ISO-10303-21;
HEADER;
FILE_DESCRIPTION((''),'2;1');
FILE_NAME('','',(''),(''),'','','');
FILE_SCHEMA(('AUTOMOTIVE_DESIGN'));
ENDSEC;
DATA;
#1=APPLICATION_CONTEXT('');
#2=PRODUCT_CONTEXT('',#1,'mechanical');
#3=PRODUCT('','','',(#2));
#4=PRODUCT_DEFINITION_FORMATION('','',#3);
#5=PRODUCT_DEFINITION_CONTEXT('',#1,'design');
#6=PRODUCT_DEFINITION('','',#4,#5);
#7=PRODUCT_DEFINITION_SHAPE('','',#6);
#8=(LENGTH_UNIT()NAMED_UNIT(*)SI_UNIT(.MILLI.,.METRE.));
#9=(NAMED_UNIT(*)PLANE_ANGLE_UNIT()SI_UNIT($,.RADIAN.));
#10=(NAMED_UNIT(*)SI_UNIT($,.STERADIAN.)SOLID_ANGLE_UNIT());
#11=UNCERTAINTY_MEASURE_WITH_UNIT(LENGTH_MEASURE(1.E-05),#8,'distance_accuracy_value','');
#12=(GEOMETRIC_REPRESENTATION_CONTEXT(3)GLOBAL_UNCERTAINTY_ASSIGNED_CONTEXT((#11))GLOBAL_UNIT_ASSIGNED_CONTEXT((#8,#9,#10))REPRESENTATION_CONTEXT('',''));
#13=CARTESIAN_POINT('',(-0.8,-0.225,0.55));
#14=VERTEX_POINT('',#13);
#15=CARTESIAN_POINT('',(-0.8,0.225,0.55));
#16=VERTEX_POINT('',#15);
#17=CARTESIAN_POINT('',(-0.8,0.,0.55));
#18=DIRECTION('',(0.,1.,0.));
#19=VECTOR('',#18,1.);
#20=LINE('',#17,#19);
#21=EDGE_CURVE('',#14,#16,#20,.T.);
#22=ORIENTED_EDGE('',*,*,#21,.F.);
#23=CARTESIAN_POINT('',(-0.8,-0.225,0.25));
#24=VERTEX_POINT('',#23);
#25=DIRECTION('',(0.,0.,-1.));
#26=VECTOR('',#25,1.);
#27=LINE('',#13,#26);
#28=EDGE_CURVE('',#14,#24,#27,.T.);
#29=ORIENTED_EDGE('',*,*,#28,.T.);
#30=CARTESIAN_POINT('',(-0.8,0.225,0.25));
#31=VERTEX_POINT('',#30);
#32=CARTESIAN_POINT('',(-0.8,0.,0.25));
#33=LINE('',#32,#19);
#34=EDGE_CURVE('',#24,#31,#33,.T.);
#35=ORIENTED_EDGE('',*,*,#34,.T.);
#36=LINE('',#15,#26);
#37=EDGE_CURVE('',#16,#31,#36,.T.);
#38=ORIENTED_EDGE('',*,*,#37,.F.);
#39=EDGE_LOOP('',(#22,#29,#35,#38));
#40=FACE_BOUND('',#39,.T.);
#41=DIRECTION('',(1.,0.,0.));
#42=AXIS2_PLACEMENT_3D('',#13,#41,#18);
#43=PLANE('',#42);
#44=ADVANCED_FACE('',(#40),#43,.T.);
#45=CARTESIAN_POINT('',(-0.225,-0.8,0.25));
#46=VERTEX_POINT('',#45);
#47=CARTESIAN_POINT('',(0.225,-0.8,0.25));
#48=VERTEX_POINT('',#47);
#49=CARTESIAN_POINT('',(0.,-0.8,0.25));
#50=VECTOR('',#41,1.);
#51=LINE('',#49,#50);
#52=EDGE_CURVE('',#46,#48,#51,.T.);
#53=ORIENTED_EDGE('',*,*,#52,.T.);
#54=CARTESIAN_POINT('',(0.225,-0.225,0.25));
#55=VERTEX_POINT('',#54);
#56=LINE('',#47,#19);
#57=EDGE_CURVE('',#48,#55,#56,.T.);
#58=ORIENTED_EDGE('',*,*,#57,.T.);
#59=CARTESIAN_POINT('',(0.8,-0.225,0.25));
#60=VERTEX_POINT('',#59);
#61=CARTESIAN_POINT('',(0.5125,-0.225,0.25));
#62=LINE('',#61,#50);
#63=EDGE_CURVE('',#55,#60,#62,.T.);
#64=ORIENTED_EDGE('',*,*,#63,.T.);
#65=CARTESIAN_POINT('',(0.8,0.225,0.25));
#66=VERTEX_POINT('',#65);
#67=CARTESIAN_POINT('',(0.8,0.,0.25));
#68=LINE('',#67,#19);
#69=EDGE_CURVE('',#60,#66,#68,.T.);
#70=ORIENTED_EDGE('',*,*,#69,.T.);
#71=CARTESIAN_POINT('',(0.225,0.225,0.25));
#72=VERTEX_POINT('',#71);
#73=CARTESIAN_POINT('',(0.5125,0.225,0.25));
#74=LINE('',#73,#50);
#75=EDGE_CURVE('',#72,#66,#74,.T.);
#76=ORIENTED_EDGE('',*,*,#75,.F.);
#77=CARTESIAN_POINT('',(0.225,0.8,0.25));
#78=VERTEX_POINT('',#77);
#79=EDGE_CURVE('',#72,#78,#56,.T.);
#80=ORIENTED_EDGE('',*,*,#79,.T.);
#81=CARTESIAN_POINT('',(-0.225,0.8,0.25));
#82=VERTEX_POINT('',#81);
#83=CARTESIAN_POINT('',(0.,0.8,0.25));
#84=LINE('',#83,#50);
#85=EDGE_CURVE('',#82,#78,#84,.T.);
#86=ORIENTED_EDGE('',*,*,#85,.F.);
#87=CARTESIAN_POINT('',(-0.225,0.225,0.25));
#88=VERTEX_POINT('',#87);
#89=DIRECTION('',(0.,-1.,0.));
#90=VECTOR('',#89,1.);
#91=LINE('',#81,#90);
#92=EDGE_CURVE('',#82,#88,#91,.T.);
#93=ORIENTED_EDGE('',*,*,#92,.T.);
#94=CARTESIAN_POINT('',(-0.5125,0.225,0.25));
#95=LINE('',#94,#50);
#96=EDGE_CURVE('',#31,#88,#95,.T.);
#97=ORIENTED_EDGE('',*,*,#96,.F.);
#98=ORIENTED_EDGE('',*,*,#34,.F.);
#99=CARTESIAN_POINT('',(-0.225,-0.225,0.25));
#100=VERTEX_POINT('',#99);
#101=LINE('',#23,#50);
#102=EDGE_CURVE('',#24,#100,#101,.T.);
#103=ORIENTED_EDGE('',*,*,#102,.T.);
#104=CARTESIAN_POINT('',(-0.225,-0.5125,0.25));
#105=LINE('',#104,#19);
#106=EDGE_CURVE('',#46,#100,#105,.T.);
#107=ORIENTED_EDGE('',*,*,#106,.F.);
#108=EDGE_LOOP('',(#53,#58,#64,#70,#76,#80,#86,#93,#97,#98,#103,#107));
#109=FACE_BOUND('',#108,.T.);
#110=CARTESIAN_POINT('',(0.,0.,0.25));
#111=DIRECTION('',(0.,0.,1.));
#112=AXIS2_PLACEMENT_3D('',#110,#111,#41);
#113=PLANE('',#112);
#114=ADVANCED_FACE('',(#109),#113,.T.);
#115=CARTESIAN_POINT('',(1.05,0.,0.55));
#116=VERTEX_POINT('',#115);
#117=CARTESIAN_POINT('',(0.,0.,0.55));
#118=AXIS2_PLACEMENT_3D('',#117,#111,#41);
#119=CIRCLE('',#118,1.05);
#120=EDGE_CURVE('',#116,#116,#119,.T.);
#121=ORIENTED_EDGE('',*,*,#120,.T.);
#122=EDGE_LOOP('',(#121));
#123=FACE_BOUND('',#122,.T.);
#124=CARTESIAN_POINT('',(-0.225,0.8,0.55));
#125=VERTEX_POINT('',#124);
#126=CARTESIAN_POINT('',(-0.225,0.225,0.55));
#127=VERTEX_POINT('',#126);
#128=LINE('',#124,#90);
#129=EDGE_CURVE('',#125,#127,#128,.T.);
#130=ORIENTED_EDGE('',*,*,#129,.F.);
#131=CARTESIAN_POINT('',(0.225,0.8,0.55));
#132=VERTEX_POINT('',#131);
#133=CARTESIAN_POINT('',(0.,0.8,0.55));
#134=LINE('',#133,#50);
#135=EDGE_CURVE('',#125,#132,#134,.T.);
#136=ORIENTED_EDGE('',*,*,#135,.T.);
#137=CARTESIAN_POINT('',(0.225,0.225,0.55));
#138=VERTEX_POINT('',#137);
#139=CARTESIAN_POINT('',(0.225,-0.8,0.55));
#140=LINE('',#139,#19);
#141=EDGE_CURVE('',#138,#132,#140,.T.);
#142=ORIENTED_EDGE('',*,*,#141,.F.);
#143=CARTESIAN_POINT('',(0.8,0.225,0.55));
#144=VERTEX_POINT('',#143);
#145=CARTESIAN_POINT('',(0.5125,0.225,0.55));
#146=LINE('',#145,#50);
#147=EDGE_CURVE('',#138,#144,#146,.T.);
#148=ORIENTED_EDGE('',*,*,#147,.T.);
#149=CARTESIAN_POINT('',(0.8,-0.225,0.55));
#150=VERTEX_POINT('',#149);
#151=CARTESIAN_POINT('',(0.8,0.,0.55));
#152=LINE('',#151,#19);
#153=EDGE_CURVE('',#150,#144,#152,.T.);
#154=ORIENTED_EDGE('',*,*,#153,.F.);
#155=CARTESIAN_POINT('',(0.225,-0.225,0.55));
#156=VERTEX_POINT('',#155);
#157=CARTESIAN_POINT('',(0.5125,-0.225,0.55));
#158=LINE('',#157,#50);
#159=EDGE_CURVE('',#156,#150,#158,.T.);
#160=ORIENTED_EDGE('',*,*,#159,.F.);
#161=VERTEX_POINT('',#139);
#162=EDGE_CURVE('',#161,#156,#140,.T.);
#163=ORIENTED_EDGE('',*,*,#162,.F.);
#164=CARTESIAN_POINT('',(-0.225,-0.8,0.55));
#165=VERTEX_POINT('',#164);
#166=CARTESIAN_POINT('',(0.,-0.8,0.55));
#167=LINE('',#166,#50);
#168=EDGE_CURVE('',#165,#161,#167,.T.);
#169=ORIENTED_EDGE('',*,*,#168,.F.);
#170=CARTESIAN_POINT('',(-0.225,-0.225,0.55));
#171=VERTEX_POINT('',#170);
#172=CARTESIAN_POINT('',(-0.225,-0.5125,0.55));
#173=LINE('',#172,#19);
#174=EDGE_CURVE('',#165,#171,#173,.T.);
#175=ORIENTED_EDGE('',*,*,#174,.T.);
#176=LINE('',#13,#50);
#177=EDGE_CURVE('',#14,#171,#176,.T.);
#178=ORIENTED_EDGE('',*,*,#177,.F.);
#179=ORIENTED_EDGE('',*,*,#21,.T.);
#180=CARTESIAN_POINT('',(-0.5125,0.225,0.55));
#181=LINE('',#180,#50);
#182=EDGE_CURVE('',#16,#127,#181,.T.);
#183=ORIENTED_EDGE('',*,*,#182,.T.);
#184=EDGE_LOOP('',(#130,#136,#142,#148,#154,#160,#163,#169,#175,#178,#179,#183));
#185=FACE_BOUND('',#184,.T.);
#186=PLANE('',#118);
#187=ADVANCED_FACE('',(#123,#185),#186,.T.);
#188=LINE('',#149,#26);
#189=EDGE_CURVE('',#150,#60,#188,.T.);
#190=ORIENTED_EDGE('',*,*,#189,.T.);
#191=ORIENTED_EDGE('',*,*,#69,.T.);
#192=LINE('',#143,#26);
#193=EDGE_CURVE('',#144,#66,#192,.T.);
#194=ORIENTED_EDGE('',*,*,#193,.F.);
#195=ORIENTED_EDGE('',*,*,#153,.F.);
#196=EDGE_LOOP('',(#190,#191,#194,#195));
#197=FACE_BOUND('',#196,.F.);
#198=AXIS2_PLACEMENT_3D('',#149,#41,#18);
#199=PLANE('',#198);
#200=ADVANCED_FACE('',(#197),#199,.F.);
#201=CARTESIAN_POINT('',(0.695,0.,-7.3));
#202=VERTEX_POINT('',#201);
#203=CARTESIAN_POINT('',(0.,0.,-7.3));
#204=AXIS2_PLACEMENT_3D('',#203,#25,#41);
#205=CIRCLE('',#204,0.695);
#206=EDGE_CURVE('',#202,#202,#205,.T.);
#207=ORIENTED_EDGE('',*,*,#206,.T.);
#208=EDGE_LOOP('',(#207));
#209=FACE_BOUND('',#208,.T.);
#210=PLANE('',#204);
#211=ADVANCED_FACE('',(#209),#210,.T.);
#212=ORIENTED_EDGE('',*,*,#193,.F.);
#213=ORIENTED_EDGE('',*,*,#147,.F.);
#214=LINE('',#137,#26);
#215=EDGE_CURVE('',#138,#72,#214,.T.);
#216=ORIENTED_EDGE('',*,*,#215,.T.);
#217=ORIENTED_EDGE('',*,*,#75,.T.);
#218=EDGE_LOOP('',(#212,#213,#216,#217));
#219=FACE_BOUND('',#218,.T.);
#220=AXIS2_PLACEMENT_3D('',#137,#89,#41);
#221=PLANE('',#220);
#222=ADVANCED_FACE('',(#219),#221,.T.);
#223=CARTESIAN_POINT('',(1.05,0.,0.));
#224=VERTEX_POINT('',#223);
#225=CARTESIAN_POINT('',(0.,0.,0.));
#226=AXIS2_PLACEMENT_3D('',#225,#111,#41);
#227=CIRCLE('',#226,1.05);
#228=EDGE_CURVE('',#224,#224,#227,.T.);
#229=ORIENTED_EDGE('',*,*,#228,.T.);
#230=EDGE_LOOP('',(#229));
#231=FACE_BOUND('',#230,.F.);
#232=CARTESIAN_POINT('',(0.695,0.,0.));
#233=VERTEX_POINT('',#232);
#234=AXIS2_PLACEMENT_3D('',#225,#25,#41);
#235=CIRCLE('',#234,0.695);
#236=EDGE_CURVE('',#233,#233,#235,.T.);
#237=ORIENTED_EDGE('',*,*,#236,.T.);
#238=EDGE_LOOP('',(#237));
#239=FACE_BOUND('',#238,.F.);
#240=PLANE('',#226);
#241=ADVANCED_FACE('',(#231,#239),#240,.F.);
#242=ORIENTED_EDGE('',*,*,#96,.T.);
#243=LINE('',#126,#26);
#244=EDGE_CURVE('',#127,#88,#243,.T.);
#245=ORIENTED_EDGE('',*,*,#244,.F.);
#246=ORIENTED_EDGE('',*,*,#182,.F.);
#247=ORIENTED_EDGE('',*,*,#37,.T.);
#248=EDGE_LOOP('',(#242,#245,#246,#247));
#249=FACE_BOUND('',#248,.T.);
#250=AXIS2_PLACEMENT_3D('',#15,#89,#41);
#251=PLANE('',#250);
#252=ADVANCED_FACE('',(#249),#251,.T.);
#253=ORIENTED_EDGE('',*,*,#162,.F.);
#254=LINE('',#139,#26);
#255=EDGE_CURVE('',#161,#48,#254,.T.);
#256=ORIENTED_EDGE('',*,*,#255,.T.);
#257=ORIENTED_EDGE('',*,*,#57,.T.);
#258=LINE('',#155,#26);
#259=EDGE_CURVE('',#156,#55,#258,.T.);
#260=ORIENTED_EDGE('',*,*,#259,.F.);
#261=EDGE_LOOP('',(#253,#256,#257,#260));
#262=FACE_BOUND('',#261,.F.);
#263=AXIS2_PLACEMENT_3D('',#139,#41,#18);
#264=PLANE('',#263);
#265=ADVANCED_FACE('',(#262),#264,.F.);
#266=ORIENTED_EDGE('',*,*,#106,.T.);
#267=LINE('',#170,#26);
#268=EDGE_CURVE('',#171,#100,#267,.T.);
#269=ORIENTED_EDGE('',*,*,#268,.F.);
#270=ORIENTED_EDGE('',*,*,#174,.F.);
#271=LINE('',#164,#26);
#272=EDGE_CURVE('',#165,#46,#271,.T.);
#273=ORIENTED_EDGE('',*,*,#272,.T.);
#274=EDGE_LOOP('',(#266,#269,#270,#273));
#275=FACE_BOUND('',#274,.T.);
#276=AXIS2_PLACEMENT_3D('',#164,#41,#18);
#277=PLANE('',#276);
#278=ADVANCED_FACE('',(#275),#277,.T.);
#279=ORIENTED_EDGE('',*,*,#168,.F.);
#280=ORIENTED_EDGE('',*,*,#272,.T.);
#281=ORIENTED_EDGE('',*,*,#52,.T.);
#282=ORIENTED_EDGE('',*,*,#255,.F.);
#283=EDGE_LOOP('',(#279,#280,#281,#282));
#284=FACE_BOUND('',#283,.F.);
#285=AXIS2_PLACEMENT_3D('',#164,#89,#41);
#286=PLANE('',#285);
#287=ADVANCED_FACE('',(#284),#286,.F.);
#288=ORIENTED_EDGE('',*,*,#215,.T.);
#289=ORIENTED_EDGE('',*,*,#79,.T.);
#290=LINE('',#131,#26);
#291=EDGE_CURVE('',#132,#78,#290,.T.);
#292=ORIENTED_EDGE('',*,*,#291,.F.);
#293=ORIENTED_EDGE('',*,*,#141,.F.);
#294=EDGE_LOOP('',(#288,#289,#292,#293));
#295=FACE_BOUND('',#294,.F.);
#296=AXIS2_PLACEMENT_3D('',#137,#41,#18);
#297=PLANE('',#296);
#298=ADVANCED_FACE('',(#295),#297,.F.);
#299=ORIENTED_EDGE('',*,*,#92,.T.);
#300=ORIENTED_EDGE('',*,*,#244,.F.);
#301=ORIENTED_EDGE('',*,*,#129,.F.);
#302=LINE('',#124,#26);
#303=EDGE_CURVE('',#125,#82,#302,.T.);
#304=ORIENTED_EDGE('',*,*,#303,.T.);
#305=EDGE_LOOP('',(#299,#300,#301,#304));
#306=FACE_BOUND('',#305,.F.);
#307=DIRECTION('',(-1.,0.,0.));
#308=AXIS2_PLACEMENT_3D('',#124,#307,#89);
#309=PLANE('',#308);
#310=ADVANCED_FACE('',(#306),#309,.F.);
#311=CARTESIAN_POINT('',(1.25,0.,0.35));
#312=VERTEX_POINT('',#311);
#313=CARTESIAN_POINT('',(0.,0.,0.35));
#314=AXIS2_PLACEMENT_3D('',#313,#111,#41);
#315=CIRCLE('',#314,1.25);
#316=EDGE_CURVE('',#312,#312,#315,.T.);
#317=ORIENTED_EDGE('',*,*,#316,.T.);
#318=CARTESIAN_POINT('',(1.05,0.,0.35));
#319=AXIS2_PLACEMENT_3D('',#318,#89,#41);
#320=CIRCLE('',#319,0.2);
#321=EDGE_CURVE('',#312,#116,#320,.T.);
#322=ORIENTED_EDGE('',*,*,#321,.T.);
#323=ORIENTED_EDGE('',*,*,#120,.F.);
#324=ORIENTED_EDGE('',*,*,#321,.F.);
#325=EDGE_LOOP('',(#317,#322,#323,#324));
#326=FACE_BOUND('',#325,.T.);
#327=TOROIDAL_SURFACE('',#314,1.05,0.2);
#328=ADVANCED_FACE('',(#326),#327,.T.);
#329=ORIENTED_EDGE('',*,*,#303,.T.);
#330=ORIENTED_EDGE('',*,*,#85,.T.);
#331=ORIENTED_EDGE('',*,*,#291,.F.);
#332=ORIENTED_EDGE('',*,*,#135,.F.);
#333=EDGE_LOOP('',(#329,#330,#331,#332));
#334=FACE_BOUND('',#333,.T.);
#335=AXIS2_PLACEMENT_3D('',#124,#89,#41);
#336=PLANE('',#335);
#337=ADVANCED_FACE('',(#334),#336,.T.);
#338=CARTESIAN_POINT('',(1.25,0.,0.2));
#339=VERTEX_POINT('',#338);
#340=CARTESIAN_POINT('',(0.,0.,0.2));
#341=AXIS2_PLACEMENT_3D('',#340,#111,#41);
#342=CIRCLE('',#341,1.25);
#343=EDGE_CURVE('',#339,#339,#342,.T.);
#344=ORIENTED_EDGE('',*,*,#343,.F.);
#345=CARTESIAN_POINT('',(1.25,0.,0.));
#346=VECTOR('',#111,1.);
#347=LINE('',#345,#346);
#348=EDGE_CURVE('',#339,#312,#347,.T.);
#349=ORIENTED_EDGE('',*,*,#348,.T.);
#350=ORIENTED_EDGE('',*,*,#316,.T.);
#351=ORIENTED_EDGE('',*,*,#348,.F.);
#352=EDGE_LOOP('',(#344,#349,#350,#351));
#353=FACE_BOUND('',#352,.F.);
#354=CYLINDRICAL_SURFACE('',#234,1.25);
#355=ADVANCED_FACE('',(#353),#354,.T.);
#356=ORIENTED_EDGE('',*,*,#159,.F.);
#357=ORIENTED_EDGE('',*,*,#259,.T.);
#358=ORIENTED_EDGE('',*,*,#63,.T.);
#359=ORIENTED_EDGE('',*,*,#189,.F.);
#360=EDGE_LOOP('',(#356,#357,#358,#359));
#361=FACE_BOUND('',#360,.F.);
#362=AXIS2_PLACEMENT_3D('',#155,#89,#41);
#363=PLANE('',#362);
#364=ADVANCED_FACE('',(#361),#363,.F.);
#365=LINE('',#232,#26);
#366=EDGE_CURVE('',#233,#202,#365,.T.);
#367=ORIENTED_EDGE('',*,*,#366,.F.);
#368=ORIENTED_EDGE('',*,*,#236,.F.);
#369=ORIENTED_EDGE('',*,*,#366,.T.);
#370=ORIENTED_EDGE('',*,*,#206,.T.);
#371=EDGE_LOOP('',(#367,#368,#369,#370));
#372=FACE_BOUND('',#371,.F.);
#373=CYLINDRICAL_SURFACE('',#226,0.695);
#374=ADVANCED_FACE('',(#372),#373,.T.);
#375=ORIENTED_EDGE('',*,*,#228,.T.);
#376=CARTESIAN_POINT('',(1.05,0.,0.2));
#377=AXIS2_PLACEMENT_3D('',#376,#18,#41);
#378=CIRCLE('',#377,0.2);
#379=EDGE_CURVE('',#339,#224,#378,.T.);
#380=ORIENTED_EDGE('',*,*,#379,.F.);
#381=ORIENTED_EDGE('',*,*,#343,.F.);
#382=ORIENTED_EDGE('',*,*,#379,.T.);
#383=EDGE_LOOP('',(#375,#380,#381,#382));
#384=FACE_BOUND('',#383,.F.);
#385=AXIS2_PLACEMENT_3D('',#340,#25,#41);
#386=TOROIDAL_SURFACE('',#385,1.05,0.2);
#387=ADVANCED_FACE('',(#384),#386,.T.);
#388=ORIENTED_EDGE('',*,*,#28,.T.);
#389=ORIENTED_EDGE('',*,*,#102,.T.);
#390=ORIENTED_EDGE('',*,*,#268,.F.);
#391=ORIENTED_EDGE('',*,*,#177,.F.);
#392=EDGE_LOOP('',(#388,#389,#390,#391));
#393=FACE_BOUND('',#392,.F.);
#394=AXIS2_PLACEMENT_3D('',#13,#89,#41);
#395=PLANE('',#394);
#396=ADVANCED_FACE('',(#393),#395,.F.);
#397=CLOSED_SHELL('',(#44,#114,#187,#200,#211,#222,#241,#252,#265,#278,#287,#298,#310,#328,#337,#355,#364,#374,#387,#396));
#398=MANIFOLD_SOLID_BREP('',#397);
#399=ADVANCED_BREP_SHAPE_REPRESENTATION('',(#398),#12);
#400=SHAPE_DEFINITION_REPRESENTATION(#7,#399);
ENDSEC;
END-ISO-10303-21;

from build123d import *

# Parameters (mm, degrees)
F0_R     = 1.25
F1_DEPTH = 0.55
F2_R     = 0.695
F3_DEPTH = 7.3
F4_W     = 0.45
F4_H     = 0.45
F4_H_2   = 0.575
F4_W_2   = 0.575
F5_DEPTH = 0.3
F6_R     = 0.2


with BuildPart() as f1:
    # F0 (on Top) → F1 (new body)
    with BuildSketch(Plane.XY):
        Circle(F0_R)
    extrude(amount=F1_DEPTH)

    # F2 (on face) → F3 (join)
    with BuildSketch(Plane(origin=(0, 0, 0), x_dir=(1, 0, 0), z_dir=(0, 0, -1))):
        Circle(F2_R)
    extrude(amount=F3_DEPTH)

    # F4 (on face) → F5 (cut)
    with BuildSketch(Plane.XY.offset(0.55)):
        Rectangle(F4_W, F4_H)
        with Locations((0, 0.5125)):
            Rectangle(F4_W, F4_H_2)
        with Locations((-0.5125, 0)):
            Rectangle(F4_W_2, F4_H)
        with Locations((0, -0.5125)):
            Rectangle(F4_W, F4_H_2)
        with Locations((0.5125, 0)):
            Rectangle(F4_W_2, F4_H)
    extrude(amount=-F5_DEPTH, mode=Mode.SUBTRACT)

    # F6
    f6_edges = [f1.edges().sort_by_distance(p)[0] for p in [
        (-1.25, 0, 0.55),
        (-1.25, 0, 0),
    ]]
    fillet(f6_edges, radius=F6_R)


solid = f1.part
